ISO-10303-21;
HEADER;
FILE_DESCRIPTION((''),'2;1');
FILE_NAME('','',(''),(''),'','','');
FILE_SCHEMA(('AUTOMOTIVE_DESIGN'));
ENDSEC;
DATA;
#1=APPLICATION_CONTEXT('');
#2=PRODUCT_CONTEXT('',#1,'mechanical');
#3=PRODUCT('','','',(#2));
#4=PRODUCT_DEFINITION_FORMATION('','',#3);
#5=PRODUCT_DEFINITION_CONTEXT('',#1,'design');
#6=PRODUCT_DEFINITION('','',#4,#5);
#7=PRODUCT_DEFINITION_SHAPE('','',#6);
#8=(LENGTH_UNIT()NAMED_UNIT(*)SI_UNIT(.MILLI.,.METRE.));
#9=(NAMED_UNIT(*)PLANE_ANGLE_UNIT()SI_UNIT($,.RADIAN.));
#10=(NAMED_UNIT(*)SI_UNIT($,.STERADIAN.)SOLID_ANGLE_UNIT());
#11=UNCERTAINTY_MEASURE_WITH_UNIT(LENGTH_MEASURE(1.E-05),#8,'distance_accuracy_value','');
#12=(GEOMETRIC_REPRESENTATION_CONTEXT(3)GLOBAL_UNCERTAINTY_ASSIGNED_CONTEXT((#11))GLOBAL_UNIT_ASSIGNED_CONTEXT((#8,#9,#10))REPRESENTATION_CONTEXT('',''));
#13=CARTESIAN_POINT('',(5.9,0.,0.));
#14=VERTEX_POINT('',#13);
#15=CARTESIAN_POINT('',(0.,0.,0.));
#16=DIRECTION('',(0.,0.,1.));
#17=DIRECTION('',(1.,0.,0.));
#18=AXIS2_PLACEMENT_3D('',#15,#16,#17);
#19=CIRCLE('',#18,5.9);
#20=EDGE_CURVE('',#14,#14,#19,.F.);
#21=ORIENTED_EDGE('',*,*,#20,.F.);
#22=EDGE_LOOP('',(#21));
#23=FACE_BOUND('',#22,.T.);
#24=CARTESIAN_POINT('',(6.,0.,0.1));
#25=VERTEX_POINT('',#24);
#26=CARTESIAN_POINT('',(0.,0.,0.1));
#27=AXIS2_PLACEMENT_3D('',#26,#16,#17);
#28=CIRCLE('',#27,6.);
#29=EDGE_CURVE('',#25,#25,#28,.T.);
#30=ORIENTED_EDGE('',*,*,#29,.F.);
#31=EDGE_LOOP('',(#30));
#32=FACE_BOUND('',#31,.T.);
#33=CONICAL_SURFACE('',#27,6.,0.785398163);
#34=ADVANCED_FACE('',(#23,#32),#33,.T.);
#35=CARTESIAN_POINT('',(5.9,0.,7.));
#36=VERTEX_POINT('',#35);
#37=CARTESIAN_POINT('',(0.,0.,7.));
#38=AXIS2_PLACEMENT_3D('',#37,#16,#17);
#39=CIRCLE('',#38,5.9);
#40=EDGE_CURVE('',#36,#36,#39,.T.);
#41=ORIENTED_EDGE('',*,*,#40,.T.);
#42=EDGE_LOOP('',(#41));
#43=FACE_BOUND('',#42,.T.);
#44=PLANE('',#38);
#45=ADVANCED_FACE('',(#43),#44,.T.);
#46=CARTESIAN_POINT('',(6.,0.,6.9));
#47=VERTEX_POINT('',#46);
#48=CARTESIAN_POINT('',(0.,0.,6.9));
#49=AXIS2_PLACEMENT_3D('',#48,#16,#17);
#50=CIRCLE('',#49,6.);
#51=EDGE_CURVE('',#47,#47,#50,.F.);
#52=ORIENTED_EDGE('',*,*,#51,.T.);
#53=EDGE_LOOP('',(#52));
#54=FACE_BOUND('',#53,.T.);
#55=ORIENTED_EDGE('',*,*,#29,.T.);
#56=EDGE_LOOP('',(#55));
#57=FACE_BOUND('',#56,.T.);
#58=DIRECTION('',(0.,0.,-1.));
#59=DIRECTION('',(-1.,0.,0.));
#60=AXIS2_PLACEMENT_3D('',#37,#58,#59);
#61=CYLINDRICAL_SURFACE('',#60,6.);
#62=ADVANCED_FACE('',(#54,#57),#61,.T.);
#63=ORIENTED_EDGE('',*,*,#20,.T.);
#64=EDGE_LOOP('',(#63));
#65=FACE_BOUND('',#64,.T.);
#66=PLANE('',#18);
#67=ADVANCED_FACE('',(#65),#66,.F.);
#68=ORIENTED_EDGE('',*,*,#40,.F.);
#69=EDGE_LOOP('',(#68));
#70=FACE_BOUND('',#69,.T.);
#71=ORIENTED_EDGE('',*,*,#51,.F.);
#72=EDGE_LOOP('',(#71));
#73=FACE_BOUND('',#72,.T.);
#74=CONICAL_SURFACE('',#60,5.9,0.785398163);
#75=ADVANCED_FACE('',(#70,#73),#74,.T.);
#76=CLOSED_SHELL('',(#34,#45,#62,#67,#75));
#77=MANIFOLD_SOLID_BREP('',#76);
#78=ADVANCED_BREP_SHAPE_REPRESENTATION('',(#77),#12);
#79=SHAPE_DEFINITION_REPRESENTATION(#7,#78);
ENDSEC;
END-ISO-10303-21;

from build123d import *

# Parameters (mm, degrees)
SKETCH1_R           = 6
BOSS_EXTRUDE1_DEPTH = 7
CHAMFER1_SIZE       = 0.1


with BuildPart() as part:
    # Sketch1 → Boss-Extrude1 (new body)
    with BuildSketch(Plane.XY):
        Circle(SKETCH1_R)
    extrude(amount=BOSS_EXTRUDE1_DEPTH)

    # Chamfer1
    chamfer1_edges = [part.edges().sort_by_distance(p)[0] for p in [
        (-6, 0, 0),
        (-6, 0, 7),
    ]]
    chamfer(chamfer1_edges, length=CHAMFER1_SIZE)


solid = part.part
